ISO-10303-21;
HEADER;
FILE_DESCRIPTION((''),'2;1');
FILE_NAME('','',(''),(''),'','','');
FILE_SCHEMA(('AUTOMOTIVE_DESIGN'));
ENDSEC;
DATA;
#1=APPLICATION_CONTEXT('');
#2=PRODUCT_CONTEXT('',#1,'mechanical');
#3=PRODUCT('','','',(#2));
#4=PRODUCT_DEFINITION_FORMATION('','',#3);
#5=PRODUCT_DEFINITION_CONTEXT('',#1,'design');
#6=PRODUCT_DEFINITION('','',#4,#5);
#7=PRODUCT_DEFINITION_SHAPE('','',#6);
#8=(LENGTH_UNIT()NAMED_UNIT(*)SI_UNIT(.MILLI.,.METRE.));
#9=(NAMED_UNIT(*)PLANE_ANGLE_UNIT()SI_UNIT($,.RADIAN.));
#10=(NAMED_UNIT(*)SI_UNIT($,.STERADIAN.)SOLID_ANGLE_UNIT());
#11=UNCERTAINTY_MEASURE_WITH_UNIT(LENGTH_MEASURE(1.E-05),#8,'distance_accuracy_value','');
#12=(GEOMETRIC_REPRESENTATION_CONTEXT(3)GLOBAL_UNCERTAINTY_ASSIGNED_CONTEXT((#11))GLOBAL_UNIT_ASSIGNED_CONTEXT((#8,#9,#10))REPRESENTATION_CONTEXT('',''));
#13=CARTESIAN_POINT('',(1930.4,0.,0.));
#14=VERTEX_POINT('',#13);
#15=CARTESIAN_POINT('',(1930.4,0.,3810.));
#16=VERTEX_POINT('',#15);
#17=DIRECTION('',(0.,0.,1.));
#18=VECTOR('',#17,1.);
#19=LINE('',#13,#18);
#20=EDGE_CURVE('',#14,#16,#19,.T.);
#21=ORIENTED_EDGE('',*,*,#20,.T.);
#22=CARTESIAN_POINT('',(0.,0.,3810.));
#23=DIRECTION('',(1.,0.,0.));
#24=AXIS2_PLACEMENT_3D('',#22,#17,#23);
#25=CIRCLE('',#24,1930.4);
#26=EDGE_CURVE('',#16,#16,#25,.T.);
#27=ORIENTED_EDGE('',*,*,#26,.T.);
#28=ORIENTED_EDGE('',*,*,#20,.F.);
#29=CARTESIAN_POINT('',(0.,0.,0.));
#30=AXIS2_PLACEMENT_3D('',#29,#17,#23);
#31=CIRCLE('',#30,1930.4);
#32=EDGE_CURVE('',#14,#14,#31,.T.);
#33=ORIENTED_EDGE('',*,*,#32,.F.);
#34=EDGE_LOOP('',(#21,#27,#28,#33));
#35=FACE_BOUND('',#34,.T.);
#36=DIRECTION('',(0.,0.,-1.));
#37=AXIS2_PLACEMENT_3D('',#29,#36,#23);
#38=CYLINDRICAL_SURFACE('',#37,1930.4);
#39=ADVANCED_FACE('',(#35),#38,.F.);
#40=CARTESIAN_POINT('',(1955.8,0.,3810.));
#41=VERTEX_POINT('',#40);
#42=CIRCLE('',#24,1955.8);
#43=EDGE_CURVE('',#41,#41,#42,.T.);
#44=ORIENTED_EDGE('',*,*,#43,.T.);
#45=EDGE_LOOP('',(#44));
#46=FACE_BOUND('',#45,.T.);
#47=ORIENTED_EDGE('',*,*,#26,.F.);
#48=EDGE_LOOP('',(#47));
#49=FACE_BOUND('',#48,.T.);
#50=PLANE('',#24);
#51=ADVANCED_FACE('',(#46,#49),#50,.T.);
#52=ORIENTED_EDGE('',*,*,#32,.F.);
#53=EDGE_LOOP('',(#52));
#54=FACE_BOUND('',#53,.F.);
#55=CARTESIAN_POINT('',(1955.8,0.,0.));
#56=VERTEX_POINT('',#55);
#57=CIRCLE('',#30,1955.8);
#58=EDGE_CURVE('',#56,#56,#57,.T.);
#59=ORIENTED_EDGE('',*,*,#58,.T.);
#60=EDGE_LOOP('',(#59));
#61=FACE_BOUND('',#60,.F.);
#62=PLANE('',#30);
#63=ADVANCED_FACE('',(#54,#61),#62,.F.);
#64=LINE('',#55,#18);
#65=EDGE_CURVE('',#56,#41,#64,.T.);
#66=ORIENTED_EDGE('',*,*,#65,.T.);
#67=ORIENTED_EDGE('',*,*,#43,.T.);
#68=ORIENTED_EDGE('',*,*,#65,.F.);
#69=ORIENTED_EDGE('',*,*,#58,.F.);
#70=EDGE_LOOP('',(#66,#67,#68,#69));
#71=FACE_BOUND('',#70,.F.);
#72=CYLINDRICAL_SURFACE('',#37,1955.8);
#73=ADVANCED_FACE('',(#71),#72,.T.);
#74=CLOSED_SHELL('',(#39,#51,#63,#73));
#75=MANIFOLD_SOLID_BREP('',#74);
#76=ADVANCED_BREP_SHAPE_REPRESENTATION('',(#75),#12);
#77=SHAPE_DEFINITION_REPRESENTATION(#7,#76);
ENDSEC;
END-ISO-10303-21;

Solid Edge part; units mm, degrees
sketch "Sketch1" plane through (0, 0, 0) normal (0, 0, 1) x (1, 0, 0)
  circle A0 centre (0, 0) radius 1955.8
  circle A1 centre (0, 0) radius 1930.4
  dimension "D1" = 3911.6
  dimension "D2" = 3860.8
extrude "Protrusion1" add sketch "Sketch1" along normal blind 3810
